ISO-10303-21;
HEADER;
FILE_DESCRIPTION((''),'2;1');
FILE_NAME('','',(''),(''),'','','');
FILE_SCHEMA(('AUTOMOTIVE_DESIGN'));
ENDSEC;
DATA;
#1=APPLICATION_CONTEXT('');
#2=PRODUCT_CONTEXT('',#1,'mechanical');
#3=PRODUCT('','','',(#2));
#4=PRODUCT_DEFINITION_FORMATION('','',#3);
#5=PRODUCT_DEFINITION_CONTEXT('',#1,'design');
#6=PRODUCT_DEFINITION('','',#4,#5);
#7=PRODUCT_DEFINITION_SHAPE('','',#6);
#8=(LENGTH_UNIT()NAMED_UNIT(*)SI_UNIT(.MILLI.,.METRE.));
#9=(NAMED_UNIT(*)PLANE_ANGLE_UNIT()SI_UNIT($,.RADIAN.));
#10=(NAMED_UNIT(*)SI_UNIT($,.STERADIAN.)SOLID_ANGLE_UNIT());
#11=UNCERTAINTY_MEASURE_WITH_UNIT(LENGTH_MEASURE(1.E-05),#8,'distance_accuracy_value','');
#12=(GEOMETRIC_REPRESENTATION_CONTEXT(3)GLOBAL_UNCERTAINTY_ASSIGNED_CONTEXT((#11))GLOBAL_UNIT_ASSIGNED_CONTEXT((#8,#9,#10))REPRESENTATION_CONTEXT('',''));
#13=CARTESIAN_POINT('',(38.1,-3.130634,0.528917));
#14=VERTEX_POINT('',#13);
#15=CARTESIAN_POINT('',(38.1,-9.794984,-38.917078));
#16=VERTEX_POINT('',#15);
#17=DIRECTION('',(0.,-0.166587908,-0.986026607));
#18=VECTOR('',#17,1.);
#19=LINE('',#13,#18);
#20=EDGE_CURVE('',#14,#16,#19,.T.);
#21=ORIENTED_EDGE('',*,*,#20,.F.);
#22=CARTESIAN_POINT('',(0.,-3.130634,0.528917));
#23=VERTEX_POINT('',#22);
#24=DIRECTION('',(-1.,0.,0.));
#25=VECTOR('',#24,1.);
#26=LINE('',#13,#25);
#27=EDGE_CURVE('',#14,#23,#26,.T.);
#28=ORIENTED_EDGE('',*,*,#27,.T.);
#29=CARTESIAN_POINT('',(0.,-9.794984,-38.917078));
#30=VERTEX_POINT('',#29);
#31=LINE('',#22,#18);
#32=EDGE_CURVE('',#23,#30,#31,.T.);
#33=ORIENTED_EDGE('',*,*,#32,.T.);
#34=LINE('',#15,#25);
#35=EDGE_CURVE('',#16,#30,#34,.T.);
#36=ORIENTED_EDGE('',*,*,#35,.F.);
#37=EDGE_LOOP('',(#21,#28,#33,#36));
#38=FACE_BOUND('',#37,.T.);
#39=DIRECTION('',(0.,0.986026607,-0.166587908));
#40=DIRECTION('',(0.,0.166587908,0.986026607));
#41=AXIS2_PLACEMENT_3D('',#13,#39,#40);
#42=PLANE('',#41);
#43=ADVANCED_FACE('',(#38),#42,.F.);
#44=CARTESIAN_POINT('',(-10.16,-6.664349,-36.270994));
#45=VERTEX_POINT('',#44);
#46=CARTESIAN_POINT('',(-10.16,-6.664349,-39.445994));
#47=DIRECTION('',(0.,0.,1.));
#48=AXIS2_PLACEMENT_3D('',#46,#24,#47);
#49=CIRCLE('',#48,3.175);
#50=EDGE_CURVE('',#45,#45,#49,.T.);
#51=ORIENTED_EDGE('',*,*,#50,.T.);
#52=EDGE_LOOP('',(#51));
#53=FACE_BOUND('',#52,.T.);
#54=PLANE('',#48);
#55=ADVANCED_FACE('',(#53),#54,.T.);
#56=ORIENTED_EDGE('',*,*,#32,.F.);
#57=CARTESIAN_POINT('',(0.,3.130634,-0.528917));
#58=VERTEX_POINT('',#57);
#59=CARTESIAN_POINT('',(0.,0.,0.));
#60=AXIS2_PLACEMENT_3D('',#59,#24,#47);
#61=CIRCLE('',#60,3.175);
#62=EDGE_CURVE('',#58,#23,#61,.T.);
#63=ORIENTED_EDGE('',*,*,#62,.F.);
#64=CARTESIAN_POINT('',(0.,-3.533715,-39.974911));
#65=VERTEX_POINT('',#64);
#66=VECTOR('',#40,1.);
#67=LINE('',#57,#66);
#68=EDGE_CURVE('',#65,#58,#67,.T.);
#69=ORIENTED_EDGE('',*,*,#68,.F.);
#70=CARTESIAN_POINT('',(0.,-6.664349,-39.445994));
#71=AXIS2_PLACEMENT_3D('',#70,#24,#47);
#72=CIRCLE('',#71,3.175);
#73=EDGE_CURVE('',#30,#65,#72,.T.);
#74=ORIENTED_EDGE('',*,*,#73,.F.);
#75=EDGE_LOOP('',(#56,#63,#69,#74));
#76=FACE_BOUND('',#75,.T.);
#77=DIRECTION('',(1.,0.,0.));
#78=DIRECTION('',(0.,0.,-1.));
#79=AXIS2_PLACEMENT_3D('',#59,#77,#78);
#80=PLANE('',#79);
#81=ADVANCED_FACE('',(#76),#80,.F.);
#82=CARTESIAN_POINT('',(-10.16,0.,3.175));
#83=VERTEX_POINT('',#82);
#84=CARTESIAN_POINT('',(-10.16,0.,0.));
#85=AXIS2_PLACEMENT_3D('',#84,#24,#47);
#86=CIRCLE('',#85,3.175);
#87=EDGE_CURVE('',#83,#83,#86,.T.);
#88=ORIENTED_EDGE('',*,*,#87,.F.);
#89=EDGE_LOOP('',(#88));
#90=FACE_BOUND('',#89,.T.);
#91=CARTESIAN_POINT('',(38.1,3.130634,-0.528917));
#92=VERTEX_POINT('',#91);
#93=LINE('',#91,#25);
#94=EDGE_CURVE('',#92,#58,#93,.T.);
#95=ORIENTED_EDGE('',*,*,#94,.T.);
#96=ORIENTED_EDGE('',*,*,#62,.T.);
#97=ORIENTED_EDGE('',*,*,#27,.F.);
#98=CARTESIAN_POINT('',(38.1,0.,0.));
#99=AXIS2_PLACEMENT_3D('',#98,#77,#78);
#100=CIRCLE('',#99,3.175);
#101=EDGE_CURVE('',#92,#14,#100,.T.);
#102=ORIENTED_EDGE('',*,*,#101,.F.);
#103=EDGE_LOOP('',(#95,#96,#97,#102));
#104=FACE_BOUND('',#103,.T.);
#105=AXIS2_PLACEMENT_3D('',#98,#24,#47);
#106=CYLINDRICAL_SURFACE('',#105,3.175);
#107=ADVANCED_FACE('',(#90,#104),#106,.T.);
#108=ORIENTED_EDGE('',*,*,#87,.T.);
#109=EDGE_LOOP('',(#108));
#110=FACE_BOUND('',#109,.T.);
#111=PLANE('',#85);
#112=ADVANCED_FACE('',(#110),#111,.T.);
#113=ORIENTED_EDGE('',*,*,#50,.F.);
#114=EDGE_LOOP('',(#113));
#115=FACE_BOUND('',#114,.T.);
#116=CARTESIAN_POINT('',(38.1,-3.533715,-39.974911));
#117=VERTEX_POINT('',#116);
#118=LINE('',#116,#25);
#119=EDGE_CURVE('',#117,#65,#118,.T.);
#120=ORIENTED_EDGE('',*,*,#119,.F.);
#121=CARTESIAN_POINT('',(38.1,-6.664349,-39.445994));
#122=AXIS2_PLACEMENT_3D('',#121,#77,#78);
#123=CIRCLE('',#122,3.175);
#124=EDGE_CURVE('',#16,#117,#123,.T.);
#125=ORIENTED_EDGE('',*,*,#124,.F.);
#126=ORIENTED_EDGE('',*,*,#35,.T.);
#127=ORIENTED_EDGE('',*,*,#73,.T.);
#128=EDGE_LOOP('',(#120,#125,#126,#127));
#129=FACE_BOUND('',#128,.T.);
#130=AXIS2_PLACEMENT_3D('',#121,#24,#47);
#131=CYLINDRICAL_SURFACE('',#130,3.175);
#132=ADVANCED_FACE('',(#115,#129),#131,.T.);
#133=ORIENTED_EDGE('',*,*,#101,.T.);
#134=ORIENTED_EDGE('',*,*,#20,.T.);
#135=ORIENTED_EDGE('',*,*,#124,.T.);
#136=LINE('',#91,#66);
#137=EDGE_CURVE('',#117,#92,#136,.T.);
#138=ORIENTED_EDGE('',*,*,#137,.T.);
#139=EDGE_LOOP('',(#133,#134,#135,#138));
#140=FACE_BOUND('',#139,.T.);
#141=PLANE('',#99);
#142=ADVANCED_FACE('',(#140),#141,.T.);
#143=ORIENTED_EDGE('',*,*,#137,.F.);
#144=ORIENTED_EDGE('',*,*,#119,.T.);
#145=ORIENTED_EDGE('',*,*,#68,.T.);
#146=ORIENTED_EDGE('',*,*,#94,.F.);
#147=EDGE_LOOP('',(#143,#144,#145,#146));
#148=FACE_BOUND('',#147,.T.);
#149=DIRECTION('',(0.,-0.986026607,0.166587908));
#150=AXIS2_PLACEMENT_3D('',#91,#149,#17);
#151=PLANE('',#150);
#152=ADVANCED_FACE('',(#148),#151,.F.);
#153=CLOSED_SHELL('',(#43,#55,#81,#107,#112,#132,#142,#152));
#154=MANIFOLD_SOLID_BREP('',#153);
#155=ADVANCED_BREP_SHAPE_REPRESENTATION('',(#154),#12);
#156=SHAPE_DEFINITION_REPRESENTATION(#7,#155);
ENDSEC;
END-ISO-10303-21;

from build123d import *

# Parameters (mm, degrees)
BOSS_EXTRUDE1_DEPTH = 38.1
BOSS_EXTRUDE2_START = 10.16
SKETCH2_R           = 3.175
BOSS_EXTRUDE2_DEPTH = 10.16


with BuildPart() as part:
    # Sketch1 → Boss-Extrude1 (new body)
    with BuildSketch(Plane(origin=(0, 0, 0), x_dir=(0, 0, -1), z_dir=(1, 0, 0))):
        with BuildLine():
            Line((0.528916607, 3.130634476), (39.974911006, -3.533714773))
            ThreePointArc((39.974911006, -3.533714773), (42.576628875, -7.193265857), (38.917077791, -9.794983726))
            Line((38.917077791, -9.794983726), (-0.528916607, -3.130634476))
            ThreePointArc((-0.528916607, -3.130634476), (-3.130634476, 0.528916607), (0.528916607, 3.130634476))
        make_face()
    extrude(amount=BOSS_EXTRUDE1_DEPTH)

    # Sketch2 → Boss-Extrude2 (add)
    with BuildSketch(Plane.ZY.offset(BOSS_EXTRUDE2_START)):
        with Locations((-39.445994398, -6.664349249)):
            Circle(SKETCH2_R)
        Circle(SKETCH2_R)
    extrude(amount=-BOSS_EXTRUDE2_DEPTH)


solid = part.part
